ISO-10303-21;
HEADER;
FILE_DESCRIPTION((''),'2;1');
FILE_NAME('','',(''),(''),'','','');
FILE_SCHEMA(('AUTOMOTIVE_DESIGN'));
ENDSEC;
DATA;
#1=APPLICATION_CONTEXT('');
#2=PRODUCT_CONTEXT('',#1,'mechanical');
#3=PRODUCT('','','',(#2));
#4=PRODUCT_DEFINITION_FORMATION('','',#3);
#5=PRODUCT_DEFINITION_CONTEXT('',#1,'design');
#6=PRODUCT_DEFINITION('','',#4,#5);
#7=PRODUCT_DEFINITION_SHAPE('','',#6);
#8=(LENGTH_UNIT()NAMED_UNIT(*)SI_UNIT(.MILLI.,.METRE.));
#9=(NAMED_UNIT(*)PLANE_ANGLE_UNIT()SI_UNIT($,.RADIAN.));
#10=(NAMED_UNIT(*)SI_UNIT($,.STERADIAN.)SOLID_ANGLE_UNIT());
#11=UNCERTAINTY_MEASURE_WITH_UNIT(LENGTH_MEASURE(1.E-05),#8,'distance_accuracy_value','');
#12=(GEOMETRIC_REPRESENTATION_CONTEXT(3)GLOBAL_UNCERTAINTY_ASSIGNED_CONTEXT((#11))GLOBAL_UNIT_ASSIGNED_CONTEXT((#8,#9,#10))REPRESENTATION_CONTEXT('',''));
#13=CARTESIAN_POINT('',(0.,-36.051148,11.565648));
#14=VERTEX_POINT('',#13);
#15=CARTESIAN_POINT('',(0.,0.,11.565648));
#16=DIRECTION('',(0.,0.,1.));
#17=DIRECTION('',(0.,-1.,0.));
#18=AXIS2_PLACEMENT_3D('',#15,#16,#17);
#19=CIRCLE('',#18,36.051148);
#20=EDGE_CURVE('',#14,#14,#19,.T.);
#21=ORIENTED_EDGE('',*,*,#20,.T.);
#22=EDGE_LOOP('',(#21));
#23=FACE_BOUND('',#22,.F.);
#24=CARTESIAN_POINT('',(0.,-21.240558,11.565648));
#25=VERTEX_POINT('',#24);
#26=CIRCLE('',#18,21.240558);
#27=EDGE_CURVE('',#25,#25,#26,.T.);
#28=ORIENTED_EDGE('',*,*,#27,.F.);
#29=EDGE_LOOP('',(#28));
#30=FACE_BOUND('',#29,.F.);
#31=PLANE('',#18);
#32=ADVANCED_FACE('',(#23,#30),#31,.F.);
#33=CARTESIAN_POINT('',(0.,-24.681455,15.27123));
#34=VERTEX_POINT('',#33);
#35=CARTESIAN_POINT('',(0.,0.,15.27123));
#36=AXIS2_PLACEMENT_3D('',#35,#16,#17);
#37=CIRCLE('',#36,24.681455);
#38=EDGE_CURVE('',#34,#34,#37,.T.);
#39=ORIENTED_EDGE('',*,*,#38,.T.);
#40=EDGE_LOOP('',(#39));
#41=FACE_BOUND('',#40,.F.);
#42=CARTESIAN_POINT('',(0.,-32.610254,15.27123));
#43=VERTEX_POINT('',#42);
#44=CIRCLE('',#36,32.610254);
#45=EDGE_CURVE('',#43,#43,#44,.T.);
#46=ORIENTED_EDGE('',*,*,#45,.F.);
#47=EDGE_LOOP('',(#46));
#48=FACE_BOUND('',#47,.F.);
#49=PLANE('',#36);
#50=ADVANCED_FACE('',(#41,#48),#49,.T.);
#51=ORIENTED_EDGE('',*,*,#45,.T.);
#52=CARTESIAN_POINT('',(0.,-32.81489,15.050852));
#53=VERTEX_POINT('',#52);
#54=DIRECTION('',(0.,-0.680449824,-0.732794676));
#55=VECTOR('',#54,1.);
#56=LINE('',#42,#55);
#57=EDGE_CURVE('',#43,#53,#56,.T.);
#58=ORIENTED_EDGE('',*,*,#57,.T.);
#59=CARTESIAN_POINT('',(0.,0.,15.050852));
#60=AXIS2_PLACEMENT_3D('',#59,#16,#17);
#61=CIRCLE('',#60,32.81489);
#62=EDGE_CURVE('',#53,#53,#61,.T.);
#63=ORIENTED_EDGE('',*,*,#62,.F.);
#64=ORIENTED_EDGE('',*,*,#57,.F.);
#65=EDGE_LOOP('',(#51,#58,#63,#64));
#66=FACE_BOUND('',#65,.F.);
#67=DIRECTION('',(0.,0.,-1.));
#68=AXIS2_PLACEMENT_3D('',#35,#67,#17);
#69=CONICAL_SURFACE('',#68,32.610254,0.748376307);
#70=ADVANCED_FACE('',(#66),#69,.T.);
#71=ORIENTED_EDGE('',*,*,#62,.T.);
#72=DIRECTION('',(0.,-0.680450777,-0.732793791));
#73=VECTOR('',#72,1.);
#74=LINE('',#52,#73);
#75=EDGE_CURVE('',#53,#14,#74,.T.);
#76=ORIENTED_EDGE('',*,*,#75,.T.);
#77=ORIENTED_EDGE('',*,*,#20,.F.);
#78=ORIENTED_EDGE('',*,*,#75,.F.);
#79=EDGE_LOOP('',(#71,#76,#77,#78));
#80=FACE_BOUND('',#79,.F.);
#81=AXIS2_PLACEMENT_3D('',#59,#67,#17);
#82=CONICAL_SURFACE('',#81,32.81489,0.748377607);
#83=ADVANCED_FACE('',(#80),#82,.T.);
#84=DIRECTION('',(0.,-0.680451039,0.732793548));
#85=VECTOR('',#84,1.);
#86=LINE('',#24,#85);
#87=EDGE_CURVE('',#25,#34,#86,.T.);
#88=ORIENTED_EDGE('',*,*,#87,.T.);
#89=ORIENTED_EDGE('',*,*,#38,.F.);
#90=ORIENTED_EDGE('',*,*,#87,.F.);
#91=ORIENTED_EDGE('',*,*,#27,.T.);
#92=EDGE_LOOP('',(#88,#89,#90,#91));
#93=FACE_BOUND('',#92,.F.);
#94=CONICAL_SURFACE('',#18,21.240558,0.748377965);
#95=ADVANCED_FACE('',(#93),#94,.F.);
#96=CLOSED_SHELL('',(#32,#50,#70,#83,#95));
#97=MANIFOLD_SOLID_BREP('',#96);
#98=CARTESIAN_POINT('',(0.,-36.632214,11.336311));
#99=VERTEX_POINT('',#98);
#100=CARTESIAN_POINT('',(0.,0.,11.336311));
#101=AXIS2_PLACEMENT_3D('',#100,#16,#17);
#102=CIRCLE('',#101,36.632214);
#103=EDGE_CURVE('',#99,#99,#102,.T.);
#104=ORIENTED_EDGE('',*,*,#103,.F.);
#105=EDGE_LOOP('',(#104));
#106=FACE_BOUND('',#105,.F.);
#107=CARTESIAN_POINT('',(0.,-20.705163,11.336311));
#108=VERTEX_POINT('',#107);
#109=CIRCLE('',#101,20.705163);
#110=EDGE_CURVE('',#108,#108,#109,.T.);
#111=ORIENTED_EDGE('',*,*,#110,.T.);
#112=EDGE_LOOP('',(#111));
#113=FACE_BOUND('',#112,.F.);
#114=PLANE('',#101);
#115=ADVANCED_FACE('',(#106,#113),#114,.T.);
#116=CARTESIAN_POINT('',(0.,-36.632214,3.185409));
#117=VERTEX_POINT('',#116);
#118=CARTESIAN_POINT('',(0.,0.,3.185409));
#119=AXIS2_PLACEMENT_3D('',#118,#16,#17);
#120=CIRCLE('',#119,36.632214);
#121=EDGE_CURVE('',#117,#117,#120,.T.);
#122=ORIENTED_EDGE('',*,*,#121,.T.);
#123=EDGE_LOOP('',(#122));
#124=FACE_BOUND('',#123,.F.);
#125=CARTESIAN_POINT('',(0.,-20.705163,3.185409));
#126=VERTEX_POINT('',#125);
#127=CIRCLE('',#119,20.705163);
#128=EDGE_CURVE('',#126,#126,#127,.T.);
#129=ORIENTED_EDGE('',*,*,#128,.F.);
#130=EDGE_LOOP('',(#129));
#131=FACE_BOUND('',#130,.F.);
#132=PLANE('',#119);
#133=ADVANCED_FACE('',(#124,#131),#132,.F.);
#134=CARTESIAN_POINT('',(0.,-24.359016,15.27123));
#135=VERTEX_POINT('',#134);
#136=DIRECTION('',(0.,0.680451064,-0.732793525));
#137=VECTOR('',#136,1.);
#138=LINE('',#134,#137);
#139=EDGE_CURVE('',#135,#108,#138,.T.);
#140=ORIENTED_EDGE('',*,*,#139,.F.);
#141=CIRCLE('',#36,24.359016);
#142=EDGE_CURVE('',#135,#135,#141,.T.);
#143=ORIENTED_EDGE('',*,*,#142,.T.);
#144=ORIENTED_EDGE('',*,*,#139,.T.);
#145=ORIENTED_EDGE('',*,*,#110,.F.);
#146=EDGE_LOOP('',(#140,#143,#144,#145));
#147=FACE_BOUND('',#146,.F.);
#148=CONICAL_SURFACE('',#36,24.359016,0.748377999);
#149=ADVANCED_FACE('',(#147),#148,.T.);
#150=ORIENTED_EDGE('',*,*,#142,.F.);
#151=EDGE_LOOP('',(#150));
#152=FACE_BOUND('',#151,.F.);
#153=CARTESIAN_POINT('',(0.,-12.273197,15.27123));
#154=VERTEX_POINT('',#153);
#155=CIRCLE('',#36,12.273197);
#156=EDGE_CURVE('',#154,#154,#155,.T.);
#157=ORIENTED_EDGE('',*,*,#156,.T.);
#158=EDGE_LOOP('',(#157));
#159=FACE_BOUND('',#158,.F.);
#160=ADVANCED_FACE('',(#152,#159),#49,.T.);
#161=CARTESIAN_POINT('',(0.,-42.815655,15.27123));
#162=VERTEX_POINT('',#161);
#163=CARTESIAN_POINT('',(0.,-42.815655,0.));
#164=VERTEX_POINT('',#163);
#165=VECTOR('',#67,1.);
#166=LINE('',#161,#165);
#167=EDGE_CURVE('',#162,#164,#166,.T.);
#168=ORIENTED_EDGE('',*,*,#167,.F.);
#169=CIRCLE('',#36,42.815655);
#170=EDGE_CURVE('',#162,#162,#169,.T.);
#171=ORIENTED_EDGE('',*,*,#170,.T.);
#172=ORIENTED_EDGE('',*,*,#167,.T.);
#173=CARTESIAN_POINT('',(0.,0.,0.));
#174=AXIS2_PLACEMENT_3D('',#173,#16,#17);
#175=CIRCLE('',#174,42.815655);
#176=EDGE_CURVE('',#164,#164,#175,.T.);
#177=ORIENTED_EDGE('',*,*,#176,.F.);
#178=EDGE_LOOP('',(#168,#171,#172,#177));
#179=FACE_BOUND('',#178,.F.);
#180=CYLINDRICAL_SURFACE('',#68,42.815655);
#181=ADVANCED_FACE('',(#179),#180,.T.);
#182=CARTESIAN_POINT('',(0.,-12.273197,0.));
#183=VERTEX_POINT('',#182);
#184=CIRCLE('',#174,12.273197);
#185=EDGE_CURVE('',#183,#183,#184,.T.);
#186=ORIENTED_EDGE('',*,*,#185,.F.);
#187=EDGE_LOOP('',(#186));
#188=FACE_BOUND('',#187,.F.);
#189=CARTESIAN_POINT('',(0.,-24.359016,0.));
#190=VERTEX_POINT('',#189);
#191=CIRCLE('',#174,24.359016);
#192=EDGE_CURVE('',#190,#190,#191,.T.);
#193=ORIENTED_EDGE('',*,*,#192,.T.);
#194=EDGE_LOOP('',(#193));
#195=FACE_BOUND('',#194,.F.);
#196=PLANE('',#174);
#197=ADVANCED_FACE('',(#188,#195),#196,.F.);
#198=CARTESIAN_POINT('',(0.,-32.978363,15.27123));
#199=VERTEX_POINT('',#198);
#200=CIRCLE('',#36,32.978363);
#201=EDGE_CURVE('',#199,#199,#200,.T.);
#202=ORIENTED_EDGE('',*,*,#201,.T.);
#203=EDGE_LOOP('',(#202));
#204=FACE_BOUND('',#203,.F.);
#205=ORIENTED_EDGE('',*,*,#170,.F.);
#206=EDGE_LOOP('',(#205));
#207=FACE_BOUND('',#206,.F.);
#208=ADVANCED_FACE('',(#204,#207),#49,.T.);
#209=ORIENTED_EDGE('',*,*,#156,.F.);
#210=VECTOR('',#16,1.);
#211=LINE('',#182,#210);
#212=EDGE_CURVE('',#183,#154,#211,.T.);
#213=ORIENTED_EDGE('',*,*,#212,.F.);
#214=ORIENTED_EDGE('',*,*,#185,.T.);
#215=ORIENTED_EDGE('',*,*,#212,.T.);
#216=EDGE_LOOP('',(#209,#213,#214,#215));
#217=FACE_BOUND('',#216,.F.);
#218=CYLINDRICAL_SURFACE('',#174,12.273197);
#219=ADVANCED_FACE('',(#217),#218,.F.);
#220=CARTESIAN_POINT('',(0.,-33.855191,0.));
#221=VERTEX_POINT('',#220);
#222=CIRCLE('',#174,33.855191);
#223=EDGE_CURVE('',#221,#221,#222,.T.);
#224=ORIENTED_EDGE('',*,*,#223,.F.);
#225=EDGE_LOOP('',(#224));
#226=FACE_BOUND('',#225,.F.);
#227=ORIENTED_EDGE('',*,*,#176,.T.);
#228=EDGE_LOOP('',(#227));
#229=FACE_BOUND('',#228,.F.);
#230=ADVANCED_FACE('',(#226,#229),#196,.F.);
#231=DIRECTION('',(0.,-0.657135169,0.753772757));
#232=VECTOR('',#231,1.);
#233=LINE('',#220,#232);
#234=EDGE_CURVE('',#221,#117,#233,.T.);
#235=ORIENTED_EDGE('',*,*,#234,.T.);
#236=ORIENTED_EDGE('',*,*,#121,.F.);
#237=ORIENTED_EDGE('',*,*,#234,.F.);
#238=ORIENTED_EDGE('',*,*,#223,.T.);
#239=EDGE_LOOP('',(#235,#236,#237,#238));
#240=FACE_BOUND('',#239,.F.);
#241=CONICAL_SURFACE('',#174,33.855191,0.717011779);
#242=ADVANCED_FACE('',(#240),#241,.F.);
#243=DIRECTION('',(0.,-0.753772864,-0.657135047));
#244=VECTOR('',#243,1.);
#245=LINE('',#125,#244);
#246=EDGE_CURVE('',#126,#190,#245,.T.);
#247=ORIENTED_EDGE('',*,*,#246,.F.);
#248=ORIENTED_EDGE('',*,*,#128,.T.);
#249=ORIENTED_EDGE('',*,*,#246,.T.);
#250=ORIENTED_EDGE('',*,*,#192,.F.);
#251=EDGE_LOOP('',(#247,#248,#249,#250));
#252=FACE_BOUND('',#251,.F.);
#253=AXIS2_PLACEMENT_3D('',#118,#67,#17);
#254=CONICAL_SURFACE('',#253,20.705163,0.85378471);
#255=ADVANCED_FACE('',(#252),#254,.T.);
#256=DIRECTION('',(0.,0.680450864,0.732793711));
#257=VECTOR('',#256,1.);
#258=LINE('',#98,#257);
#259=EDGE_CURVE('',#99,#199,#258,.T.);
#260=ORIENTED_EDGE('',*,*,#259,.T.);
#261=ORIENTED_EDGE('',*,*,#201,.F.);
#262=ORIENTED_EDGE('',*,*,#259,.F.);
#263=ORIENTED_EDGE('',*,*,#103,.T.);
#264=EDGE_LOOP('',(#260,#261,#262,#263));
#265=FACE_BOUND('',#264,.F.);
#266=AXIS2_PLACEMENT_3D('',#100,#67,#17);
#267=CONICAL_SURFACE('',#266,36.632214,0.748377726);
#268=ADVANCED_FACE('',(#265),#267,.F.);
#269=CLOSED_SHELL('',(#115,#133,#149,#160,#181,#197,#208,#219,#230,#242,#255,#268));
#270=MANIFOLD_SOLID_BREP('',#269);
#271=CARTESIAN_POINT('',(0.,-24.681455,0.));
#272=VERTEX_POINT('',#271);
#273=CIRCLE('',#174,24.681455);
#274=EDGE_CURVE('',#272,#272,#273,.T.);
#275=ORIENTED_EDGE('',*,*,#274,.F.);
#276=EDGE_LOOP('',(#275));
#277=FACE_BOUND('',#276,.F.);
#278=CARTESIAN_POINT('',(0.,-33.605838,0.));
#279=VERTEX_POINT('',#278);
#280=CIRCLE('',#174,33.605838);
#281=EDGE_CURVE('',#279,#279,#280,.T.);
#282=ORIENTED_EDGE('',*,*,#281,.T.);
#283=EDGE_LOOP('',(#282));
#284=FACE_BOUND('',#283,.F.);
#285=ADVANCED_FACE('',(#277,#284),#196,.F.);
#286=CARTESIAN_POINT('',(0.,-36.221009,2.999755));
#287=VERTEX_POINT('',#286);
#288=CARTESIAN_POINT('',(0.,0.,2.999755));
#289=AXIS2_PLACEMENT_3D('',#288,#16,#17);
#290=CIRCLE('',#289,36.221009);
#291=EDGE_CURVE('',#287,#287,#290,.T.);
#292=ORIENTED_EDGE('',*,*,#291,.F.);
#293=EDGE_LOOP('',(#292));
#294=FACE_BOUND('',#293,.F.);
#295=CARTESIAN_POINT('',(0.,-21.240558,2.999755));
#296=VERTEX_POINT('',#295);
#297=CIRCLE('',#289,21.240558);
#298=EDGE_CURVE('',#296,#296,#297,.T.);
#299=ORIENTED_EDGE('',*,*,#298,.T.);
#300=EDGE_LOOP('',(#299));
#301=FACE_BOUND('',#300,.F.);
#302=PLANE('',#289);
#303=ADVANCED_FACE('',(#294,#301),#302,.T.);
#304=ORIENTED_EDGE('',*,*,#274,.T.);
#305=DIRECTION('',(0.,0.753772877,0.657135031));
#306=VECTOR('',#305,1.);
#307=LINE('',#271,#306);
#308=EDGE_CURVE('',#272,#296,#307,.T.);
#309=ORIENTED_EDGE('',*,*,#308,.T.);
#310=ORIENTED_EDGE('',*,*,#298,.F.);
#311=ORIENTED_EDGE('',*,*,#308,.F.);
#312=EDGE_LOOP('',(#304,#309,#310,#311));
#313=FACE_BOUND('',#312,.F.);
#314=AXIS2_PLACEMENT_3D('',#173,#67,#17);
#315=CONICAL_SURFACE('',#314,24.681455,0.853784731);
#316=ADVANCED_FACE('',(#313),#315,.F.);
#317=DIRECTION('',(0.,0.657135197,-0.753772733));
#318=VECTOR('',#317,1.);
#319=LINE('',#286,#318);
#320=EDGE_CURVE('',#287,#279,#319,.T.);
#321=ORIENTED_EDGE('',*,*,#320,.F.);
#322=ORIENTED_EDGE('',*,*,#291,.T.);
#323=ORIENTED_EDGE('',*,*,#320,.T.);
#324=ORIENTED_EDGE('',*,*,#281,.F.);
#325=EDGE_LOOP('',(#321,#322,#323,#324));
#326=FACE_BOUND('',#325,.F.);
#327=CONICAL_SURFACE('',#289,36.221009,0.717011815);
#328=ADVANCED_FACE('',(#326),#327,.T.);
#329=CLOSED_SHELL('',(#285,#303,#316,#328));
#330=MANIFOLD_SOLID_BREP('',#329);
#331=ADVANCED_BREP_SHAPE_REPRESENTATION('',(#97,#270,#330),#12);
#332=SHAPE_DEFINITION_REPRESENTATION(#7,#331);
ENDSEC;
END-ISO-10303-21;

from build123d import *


with BuildPart() as f1:
    # F0 (on Right) → F1 (revolve)
    with BuildSketch(Plane.YZ):
        Polygon((-42.815655, 15.27123), (-42.815655, 0), (-33.855191, 0), (-36.632214, 3.185409), (-20.705163, 3.185409), (-24.359016, 0), (-20.705163, 0), (-12.273197, 0), (-12.273197, 15.27123), (-24.359016, 15.27123), (-20.705163, 11.336311), (-36.632214, 11.336311), (-32.978363, 15.27123), align=None)
        Polygon((-32.610254, 15.27123), (-32.81489, 15.050852), (-36.051148, 11.565648), (-21.240558, 11.565648), (-24.681455, 15.27123), align=None)
        Polygon((-33.605838, 0), (-24.681455, 0), (-21.240558, 2.999755), (-36.221009, 2.999755), align=None)
    revolve(axis=Axis((0, 0, 8.806721), (0, 0, 1)))


solid = f1.part
